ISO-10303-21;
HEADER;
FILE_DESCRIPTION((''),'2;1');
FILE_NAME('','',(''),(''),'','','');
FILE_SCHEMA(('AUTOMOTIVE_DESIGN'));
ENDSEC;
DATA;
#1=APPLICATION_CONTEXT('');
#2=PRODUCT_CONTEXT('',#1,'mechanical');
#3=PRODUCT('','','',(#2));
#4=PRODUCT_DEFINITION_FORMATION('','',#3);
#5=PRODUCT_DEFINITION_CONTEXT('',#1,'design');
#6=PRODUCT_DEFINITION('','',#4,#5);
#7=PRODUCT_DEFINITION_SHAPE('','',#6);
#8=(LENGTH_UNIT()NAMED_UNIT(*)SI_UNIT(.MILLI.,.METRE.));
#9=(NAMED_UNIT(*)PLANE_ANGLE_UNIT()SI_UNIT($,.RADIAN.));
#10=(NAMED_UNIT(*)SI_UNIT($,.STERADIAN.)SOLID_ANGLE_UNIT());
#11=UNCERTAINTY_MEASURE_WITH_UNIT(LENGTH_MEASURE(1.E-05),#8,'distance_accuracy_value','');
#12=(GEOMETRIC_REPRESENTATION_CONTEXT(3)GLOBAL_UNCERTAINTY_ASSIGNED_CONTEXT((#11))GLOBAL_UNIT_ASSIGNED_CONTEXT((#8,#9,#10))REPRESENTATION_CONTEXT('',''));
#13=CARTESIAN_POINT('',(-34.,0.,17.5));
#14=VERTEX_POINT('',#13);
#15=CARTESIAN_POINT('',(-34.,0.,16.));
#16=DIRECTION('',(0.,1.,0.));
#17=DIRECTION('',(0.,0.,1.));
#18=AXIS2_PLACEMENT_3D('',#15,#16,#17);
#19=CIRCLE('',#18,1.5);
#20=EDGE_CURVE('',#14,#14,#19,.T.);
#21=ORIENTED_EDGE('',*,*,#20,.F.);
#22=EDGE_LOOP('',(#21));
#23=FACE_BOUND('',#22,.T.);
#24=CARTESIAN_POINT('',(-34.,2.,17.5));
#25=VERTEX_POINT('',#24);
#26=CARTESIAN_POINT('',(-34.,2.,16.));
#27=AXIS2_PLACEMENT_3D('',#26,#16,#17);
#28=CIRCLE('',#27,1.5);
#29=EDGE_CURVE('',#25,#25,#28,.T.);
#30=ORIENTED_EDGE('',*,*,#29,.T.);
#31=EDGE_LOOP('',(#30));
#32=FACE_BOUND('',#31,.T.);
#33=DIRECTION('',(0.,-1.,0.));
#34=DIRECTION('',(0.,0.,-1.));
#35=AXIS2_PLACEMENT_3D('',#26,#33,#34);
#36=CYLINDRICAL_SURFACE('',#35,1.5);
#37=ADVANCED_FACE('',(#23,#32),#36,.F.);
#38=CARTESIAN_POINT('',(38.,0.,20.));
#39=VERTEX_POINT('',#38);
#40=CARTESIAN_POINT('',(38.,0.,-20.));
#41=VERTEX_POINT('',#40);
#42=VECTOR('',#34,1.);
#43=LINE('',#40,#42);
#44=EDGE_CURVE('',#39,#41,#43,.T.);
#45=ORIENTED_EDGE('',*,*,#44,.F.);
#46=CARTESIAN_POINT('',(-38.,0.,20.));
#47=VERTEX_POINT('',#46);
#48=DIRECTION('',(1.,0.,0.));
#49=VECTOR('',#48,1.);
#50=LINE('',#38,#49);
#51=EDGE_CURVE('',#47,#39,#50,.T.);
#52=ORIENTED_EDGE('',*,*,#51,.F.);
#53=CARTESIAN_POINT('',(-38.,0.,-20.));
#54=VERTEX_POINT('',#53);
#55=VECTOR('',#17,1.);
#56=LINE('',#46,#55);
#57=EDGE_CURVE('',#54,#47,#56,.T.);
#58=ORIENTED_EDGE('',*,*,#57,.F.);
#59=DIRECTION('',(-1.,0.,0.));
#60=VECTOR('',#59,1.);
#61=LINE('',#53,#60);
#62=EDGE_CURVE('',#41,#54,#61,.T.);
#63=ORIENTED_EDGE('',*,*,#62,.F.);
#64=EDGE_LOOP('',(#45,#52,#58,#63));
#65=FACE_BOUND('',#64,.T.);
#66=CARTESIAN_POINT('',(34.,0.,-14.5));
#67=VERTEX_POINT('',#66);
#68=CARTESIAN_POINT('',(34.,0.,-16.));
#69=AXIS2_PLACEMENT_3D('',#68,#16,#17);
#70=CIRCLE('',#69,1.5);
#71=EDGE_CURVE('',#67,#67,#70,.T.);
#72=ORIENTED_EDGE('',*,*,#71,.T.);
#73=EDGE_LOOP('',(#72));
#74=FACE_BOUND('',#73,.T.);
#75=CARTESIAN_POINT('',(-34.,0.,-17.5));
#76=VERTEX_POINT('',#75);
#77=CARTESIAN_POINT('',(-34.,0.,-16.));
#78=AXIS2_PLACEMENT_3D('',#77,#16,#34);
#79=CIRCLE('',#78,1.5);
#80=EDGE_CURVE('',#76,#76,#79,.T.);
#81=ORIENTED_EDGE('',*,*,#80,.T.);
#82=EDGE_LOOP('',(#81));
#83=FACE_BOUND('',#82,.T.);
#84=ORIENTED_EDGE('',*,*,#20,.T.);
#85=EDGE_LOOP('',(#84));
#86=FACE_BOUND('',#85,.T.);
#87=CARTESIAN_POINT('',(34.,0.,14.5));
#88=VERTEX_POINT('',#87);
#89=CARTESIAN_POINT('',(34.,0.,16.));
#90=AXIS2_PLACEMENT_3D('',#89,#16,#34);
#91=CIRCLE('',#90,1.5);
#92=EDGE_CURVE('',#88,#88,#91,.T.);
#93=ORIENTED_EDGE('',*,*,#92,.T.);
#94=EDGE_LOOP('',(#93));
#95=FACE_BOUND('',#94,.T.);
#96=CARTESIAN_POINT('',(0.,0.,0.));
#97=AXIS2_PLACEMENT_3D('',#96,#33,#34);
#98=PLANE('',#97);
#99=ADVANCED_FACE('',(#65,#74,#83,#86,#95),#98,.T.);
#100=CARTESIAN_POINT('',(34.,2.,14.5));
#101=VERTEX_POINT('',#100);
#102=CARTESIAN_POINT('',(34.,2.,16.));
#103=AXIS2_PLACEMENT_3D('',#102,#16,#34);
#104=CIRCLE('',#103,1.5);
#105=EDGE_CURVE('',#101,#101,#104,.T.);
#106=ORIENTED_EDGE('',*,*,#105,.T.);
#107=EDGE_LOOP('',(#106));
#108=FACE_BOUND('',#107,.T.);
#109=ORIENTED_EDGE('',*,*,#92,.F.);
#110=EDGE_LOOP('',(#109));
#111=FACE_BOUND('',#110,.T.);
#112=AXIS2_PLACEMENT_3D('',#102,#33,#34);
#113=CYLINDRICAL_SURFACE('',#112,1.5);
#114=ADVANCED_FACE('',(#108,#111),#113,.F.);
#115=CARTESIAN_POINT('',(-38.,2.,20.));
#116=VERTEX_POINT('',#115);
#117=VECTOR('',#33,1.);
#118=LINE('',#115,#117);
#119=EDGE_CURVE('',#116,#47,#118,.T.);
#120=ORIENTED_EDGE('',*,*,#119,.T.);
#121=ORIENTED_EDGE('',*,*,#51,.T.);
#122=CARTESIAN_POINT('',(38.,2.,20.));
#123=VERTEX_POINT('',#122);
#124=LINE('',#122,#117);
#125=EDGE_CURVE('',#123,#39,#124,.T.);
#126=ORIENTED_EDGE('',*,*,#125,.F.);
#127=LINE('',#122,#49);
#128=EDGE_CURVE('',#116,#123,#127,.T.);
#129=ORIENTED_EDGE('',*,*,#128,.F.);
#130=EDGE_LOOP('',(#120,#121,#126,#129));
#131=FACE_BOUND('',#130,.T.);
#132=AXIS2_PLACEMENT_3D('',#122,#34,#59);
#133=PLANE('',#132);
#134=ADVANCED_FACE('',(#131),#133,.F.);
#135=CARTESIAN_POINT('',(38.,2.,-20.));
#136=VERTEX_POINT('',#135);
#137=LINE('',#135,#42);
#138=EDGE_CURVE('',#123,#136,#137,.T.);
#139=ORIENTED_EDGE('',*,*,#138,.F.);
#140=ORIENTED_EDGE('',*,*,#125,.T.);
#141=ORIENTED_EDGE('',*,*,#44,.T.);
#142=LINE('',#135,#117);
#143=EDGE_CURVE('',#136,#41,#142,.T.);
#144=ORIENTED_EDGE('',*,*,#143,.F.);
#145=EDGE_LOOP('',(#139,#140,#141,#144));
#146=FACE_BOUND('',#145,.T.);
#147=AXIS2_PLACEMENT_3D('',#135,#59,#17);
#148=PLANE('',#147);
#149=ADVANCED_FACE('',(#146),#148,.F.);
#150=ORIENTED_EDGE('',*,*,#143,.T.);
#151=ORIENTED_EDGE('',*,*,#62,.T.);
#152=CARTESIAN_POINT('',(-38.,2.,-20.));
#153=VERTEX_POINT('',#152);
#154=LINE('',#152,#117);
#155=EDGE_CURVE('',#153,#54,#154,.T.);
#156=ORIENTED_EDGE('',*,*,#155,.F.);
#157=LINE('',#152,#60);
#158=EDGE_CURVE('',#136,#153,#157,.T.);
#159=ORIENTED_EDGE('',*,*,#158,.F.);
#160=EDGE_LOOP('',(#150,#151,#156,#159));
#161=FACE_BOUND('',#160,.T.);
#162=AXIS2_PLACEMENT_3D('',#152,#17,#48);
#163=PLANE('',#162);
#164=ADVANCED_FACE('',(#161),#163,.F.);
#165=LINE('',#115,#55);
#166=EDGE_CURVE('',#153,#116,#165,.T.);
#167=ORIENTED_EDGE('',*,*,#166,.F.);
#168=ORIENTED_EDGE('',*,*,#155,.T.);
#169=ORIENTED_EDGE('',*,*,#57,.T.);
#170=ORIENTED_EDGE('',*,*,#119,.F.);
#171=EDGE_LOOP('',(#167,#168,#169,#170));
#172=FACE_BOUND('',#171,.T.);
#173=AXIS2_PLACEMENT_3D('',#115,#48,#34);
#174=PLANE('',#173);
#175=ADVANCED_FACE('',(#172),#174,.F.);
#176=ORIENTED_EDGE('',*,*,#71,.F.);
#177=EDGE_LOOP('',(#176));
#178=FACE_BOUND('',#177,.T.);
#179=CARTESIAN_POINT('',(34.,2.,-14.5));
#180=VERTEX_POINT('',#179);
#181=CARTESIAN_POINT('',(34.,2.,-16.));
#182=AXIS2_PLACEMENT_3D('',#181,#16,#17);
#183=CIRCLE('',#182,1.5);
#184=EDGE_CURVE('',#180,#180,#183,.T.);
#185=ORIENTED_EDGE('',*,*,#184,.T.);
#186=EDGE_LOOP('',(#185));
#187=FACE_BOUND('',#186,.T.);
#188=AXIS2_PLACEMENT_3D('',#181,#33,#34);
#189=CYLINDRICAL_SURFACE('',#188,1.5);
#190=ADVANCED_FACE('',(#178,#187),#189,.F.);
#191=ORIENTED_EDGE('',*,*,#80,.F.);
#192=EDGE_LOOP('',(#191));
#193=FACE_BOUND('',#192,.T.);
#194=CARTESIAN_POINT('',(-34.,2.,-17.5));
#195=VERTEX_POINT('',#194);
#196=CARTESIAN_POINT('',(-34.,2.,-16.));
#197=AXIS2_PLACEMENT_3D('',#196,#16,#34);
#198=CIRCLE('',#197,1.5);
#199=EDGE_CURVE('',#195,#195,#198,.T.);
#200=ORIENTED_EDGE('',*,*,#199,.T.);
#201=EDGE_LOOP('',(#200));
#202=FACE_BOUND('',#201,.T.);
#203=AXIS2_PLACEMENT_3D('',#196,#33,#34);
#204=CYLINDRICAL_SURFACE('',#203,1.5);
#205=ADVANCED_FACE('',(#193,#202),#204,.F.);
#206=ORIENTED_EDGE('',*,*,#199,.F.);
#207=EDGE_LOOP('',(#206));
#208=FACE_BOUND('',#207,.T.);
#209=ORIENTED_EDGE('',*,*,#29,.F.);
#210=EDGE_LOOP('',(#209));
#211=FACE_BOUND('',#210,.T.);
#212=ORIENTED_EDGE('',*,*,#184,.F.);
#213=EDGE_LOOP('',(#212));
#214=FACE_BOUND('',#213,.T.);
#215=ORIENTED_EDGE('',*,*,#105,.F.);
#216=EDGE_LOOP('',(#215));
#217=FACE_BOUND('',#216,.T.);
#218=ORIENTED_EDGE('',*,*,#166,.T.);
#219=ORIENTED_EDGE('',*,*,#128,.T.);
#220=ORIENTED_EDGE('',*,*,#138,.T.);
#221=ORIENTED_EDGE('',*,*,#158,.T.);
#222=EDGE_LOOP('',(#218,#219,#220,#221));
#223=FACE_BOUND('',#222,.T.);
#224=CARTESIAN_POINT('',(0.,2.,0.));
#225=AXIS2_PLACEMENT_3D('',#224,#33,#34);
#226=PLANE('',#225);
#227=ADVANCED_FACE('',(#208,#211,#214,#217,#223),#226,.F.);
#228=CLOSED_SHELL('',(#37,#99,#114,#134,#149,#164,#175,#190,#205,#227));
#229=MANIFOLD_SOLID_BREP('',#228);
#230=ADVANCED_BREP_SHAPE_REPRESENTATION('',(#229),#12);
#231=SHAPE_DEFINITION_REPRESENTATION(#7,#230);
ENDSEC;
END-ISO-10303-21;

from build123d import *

# Parameters (mm, degrees)
SKETCH_1_W      = 76
SKETCH_1_H      = 40
SKETCH_1_R      = 1.5
EXTRUDE_1_DEPTH = 2


with BuildPart() as part:
    # 草图1 → 凸台-拉伸1 (new body)
    with BuildSketch(Plane(origin=(0, 0, 0), x_dir=(1, 0, 0), z_dir=(0, 1, 0))):
        Rectangle(SKETCH_1_W, SKETCH_1_H)
        with Locations(Location((34, 16, 0), (0, 0, 270))):
            Circle(SKETCH_1_R, mode=Mode.SUBTRACT)
        with Locations(Location((34, -16, 0), (0, 0, 90))):
            Circle(SKETCH_1_R, mode=Mode.SUBTRACT)
        with Locations(Location((-34, -16, 0), (0, 0, 270))):
            Circle(SKETCH_1_R, mode=Mode.SUBTRACT)
        with Locations(Location((-34, 16, 0), (0, 0, 90))):
            Circle(SKETCH_1_R, mode=Mode.SUBTRACT)
    extrude(amount=EXTRUDE_1_DEPTH)


solid = part.part
